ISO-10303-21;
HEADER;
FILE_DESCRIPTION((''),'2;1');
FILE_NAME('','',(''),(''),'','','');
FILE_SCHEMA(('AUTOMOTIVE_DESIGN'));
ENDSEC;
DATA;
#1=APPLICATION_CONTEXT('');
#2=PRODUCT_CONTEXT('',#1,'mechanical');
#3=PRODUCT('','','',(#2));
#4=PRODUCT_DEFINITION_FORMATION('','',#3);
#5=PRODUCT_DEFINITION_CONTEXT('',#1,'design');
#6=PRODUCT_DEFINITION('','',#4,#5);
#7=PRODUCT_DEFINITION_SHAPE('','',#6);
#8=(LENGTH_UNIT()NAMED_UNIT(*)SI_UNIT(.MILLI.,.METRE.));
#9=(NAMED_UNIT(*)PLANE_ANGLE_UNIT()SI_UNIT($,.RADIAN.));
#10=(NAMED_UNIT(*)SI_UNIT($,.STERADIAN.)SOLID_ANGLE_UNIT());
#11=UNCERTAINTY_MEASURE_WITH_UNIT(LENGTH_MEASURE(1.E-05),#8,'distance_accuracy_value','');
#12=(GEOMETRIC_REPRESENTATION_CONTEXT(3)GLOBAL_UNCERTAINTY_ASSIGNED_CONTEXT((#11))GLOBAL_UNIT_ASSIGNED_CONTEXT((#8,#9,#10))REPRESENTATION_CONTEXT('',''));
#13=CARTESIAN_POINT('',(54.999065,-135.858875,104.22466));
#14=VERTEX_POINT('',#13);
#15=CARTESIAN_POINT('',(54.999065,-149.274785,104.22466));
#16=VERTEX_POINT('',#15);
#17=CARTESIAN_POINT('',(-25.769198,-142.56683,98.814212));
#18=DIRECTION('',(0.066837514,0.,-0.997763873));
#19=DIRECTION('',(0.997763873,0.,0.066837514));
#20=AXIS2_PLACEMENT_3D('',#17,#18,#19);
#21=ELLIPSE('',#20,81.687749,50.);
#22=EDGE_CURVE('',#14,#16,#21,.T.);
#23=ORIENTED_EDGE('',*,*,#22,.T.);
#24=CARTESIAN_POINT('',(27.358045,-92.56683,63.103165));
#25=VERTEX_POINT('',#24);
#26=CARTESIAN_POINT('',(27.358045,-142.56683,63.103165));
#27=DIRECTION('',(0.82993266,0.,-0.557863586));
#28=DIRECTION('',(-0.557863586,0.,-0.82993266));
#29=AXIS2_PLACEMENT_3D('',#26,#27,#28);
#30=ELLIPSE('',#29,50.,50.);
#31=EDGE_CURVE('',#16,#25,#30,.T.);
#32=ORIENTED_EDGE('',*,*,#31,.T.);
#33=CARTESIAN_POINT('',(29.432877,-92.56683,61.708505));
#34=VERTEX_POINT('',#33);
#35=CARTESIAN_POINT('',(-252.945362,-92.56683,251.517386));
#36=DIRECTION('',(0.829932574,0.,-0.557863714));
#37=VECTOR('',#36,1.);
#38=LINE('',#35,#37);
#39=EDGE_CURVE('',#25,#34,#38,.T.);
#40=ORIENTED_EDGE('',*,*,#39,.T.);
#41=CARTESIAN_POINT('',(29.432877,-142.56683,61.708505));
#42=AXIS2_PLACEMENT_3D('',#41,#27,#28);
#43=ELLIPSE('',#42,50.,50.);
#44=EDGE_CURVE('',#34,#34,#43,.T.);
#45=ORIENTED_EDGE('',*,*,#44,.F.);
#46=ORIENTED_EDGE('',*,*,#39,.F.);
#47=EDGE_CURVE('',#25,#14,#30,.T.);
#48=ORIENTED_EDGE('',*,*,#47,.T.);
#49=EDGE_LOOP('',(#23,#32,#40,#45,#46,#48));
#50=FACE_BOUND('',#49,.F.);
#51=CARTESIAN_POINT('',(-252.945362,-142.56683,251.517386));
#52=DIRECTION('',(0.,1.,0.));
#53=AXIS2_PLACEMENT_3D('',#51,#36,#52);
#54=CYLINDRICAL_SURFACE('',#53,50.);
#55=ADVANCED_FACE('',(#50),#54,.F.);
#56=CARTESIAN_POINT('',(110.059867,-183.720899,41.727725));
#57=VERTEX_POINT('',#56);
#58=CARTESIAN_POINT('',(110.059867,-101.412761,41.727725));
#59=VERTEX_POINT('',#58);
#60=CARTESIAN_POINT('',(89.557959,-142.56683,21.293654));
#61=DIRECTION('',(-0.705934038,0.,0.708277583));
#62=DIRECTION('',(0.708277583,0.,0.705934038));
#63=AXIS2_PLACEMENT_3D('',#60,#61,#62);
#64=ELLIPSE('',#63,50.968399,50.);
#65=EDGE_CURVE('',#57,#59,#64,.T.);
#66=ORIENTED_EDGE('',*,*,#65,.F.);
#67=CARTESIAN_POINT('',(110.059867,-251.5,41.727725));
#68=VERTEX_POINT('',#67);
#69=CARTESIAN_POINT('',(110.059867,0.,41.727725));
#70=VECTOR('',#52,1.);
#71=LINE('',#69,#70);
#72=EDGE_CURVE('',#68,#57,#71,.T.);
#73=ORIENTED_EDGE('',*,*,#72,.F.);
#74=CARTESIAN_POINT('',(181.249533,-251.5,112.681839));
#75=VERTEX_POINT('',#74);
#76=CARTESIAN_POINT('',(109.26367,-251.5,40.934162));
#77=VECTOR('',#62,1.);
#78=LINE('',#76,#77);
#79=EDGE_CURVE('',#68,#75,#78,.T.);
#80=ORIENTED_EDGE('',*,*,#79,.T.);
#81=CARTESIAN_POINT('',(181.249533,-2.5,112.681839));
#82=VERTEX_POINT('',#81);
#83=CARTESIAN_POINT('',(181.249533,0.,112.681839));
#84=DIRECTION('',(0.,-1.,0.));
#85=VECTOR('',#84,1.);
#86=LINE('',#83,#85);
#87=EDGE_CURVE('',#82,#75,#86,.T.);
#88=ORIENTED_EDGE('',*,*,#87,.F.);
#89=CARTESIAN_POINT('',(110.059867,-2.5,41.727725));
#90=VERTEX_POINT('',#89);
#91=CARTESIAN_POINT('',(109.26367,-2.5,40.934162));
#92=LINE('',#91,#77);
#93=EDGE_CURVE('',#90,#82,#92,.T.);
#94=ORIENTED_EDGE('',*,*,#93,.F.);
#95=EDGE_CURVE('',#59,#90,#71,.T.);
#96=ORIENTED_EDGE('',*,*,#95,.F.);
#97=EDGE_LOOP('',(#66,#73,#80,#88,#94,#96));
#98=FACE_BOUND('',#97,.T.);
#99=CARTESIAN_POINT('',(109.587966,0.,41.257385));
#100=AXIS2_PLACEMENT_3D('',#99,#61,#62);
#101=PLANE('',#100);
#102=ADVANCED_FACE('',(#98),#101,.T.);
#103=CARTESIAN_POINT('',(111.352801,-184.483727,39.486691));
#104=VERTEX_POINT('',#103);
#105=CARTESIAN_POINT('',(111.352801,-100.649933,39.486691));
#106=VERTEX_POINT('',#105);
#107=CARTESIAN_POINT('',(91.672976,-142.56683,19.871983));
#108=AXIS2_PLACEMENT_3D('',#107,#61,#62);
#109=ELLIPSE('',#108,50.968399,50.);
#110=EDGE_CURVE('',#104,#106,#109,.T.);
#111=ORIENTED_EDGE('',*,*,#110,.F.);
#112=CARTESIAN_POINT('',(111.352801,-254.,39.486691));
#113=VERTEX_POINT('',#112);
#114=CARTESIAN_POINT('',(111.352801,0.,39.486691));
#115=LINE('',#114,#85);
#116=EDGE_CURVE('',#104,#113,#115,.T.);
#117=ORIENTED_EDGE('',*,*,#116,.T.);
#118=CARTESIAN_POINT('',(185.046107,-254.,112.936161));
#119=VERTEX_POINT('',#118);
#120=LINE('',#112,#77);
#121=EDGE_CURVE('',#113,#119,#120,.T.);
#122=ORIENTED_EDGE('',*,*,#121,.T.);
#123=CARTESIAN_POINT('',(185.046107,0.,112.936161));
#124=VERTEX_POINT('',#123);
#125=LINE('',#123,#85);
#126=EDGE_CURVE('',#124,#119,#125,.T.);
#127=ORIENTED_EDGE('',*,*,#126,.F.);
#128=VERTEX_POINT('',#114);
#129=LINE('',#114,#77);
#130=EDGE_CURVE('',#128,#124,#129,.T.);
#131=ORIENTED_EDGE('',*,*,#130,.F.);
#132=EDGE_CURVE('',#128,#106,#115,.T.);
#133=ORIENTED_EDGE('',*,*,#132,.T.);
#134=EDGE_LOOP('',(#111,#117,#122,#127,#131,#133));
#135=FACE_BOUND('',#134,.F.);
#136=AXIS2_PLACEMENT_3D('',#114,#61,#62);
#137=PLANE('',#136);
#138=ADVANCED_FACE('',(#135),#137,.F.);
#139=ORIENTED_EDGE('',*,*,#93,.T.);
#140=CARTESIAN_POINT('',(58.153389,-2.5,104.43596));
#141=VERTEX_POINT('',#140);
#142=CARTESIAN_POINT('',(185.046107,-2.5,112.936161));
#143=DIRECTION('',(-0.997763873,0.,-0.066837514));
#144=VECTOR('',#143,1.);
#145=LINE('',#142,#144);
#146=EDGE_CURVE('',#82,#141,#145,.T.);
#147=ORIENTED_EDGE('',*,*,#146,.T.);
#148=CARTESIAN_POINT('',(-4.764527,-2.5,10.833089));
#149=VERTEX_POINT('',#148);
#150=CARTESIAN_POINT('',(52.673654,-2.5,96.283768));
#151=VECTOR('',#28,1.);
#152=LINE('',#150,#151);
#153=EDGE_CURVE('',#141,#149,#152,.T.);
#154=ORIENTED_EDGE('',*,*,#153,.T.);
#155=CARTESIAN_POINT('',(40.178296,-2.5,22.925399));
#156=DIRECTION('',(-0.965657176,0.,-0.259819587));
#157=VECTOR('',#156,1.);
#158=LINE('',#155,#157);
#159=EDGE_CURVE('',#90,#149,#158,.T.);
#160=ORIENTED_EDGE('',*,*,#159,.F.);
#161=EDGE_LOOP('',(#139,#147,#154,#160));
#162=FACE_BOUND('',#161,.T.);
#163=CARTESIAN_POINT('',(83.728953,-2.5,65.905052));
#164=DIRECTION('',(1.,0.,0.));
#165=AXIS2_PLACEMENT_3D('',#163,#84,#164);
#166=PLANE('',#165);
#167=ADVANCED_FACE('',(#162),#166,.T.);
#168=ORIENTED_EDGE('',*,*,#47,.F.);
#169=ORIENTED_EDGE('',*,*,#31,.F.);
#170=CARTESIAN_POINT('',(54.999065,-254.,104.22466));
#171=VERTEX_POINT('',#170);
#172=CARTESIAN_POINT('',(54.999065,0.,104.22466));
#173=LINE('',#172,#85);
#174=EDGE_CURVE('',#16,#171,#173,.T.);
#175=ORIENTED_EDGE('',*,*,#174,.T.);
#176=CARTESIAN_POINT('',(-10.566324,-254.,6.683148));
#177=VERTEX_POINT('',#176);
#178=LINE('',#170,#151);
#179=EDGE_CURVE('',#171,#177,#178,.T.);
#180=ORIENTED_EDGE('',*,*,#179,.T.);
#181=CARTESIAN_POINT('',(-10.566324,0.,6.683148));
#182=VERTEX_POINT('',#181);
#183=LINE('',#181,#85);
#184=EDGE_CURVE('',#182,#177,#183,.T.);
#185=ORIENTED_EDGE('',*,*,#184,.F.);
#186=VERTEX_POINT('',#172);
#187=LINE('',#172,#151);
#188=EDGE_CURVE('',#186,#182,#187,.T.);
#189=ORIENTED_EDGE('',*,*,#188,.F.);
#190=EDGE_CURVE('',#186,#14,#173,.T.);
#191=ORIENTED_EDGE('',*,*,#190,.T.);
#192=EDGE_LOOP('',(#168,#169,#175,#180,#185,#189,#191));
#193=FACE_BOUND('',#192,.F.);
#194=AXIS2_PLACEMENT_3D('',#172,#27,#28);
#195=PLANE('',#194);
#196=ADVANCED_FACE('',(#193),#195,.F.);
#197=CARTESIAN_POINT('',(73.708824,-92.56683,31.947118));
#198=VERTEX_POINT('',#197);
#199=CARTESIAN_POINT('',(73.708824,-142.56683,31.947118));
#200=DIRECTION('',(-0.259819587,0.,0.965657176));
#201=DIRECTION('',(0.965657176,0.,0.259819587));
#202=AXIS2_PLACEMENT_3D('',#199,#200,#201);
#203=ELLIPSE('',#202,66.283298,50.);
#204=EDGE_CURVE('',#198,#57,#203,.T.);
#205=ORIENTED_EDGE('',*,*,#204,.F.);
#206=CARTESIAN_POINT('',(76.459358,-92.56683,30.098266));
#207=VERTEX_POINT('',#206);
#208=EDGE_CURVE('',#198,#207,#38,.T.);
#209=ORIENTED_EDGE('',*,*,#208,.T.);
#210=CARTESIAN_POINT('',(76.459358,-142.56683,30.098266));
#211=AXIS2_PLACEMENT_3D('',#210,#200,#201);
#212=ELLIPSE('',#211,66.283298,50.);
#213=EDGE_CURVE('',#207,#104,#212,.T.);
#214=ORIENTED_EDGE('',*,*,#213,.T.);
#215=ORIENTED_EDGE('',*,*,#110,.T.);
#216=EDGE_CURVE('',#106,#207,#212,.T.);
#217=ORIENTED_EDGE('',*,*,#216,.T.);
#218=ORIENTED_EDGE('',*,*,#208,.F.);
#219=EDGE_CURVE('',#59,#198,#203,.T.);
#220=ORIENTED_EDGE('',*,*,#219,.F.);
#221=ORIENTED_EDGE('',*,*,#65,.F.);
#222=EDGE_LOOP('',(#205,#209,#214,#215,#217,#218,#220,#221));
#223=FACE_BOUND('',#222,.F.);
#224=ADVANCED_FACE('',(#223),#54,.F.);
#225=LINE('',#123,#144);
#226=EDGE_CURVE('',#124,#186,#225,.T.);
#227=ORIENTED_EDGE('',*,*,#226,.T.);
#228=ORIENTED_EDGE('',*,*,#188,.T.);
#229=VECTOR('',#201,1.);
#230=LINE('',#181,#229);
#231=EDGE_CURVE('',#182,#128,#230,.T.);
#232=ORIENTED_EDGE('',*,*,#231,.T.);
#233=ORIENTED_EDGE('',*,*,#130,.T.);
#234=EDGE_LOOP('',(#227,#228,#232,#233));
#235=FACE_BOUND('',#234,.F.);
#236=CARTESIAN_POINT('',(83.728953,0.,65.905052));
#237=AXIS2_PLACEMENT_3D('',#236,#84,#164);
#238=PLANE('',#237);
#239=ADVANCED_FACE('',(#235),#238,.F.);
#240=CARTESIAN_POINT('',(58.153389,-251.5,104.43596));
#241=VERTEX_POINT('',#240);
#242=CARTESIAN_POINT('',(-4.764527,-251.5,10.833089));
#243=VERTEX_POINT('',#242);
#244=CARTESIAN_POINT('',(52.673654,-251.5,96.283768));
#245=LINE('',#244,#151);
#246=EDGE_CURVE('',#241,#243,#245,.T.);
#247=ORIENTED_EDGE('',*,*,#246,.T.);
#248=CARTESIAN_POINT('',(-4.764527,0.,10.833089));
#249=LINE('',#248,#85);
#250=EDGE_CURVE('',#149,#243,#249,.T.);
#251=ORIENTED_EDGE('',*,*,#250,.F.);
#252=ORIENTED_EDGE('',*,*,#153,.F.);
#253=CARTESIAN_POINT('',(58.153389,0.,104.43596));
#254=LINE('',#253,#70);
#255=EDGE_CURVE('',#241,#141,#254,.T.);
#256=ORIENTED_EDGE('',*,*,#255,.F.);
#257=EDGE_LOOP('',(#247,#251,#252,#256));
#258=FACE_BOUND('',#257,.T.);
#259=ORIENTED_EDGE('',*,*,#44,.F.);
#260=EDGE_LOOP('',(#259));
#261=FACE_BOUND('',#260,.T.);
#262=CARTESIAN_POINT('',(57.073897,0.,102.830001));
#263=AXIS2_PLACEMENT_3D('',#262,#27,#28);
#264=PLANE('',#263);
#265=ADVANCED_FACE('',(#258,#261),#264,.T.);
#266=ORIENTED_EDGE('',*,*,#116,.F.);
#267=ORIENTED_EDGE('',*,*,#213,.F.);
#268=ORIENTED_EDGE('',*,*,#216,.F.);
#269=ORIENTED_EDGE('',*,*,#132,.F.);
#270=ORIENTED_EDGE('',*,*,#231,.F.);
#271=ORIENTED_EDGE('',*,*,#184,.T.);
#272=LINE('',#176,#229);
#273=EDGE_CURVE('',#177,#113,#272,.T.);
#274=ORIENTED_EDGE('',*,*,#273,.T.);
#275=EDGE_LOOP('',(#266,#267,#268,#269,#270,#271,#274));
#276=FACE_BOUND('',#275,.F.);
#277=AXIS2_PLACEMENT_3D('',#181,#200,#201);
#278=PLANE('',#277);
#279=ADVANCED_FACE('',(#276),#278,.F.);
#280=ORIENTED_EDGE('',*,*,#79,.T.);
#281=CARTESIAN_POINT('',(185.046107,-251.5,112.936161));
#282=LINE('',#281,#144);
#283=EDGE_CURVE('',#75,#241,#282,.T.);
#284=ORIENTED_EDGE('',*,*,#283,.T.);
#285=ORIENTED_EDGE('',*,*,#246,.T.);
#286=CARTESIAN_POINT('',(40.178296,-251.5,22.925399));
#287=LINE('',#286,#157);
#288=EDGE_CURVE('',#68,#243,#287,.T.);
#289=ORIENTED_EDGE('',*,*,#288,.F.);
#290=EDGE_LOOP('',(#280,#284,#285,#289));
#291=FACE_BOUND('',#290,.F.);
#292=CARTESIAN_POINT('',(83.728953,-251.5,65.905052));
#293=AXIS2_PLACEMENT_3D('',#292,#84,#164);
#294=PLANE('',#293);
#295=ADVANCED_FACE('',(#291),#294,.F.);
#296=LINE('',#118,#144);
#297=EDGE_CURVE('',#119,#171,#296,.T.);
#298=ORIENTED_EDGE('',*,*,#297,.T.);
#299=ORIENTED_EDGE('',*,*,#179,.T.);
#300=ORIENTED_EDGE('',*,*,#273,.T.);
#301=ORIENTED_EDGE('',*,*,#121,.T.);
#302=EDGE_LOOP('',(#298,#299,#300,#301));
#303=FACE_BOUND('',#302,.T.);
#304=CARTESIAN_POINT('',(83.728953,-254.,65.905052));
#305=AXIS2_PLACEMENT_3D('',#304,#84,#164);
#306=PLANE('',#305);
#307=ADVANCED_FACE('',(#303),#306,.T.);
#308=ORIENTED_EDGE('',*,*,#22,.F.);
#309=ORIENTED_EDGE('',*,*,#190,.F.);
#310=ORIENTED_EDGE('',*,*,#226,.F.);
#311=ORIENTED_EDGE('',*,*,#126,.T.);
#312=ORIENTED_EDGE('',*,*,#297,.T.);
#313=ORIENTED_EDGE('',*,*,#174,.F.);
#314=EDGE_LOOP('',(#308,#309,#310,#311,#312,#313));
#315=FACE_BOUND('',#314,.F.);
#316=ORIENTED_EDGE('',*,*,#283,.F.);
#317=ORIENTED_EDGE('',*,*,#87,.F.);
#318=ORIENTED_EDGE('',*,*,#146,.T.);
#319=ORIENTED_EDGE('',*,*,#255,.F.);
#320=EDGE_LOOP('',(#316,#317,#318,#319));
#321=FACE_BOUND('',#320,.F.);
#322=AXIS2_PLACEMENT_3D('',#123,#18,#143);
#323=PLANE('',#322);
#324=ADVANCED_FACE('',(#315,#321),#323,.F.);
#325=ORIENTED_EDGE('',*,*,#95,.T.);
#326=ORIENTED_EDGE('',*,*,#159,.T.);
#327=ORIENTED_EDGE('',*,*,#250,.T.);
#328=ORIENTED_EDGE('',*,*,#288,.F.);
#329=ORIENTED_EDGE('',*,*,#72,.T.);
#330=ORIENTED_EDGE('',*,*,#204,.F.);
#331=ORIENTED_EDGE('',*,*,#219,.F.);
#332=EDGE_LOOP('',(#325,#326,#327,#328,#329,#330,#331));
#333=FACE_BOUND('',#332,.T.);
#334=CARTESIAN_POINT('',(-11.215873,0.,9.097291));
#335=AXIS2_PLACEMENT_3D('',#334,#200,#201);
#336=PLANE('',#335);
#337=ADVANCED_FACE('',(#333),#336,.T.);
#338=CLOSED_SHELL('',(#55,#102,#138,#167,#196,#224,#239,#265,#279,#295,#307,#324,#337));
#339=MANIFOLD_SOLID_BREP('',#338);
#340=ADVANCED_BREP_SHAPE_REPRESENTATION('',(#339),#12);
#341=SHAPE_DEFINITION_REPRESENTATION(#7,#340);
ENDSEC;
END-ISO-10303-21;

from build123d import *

# Parameters (mm, degrees)
F1_DEPTH = 254
F2_T     = -2.5
F4_D     = 100


with BuildPart() as f1:
    # F0 (on Front) → F1 (new body)
    with BuildSketch(Plane.XZ):
        Polygon((-10.566324, 6.683148), (111.352801, 39.486691), (185.046107, 112.936161), (54.999065, 104.22466), align=None)
    extrude(amount=F1_DEPTH)

    # F2
    f2_openings = [f1.faces().sort_by_distance(p)[0] for p in [
        (120.022586, -127, 108.58041),
    ]]
    offset(amount=F2_T, openings=f2_openings)

    # F4 (through all)
    with Locations(Plane(origin=(-10.372185, 0, 6.971968), x_dir=(0, -1, 0), z_dir=(-0.829933, 0, 0.557864))):
        with Locations((142.56683, 67.633435)):
            Hole(F4_D / 2)


solid = f1.part
